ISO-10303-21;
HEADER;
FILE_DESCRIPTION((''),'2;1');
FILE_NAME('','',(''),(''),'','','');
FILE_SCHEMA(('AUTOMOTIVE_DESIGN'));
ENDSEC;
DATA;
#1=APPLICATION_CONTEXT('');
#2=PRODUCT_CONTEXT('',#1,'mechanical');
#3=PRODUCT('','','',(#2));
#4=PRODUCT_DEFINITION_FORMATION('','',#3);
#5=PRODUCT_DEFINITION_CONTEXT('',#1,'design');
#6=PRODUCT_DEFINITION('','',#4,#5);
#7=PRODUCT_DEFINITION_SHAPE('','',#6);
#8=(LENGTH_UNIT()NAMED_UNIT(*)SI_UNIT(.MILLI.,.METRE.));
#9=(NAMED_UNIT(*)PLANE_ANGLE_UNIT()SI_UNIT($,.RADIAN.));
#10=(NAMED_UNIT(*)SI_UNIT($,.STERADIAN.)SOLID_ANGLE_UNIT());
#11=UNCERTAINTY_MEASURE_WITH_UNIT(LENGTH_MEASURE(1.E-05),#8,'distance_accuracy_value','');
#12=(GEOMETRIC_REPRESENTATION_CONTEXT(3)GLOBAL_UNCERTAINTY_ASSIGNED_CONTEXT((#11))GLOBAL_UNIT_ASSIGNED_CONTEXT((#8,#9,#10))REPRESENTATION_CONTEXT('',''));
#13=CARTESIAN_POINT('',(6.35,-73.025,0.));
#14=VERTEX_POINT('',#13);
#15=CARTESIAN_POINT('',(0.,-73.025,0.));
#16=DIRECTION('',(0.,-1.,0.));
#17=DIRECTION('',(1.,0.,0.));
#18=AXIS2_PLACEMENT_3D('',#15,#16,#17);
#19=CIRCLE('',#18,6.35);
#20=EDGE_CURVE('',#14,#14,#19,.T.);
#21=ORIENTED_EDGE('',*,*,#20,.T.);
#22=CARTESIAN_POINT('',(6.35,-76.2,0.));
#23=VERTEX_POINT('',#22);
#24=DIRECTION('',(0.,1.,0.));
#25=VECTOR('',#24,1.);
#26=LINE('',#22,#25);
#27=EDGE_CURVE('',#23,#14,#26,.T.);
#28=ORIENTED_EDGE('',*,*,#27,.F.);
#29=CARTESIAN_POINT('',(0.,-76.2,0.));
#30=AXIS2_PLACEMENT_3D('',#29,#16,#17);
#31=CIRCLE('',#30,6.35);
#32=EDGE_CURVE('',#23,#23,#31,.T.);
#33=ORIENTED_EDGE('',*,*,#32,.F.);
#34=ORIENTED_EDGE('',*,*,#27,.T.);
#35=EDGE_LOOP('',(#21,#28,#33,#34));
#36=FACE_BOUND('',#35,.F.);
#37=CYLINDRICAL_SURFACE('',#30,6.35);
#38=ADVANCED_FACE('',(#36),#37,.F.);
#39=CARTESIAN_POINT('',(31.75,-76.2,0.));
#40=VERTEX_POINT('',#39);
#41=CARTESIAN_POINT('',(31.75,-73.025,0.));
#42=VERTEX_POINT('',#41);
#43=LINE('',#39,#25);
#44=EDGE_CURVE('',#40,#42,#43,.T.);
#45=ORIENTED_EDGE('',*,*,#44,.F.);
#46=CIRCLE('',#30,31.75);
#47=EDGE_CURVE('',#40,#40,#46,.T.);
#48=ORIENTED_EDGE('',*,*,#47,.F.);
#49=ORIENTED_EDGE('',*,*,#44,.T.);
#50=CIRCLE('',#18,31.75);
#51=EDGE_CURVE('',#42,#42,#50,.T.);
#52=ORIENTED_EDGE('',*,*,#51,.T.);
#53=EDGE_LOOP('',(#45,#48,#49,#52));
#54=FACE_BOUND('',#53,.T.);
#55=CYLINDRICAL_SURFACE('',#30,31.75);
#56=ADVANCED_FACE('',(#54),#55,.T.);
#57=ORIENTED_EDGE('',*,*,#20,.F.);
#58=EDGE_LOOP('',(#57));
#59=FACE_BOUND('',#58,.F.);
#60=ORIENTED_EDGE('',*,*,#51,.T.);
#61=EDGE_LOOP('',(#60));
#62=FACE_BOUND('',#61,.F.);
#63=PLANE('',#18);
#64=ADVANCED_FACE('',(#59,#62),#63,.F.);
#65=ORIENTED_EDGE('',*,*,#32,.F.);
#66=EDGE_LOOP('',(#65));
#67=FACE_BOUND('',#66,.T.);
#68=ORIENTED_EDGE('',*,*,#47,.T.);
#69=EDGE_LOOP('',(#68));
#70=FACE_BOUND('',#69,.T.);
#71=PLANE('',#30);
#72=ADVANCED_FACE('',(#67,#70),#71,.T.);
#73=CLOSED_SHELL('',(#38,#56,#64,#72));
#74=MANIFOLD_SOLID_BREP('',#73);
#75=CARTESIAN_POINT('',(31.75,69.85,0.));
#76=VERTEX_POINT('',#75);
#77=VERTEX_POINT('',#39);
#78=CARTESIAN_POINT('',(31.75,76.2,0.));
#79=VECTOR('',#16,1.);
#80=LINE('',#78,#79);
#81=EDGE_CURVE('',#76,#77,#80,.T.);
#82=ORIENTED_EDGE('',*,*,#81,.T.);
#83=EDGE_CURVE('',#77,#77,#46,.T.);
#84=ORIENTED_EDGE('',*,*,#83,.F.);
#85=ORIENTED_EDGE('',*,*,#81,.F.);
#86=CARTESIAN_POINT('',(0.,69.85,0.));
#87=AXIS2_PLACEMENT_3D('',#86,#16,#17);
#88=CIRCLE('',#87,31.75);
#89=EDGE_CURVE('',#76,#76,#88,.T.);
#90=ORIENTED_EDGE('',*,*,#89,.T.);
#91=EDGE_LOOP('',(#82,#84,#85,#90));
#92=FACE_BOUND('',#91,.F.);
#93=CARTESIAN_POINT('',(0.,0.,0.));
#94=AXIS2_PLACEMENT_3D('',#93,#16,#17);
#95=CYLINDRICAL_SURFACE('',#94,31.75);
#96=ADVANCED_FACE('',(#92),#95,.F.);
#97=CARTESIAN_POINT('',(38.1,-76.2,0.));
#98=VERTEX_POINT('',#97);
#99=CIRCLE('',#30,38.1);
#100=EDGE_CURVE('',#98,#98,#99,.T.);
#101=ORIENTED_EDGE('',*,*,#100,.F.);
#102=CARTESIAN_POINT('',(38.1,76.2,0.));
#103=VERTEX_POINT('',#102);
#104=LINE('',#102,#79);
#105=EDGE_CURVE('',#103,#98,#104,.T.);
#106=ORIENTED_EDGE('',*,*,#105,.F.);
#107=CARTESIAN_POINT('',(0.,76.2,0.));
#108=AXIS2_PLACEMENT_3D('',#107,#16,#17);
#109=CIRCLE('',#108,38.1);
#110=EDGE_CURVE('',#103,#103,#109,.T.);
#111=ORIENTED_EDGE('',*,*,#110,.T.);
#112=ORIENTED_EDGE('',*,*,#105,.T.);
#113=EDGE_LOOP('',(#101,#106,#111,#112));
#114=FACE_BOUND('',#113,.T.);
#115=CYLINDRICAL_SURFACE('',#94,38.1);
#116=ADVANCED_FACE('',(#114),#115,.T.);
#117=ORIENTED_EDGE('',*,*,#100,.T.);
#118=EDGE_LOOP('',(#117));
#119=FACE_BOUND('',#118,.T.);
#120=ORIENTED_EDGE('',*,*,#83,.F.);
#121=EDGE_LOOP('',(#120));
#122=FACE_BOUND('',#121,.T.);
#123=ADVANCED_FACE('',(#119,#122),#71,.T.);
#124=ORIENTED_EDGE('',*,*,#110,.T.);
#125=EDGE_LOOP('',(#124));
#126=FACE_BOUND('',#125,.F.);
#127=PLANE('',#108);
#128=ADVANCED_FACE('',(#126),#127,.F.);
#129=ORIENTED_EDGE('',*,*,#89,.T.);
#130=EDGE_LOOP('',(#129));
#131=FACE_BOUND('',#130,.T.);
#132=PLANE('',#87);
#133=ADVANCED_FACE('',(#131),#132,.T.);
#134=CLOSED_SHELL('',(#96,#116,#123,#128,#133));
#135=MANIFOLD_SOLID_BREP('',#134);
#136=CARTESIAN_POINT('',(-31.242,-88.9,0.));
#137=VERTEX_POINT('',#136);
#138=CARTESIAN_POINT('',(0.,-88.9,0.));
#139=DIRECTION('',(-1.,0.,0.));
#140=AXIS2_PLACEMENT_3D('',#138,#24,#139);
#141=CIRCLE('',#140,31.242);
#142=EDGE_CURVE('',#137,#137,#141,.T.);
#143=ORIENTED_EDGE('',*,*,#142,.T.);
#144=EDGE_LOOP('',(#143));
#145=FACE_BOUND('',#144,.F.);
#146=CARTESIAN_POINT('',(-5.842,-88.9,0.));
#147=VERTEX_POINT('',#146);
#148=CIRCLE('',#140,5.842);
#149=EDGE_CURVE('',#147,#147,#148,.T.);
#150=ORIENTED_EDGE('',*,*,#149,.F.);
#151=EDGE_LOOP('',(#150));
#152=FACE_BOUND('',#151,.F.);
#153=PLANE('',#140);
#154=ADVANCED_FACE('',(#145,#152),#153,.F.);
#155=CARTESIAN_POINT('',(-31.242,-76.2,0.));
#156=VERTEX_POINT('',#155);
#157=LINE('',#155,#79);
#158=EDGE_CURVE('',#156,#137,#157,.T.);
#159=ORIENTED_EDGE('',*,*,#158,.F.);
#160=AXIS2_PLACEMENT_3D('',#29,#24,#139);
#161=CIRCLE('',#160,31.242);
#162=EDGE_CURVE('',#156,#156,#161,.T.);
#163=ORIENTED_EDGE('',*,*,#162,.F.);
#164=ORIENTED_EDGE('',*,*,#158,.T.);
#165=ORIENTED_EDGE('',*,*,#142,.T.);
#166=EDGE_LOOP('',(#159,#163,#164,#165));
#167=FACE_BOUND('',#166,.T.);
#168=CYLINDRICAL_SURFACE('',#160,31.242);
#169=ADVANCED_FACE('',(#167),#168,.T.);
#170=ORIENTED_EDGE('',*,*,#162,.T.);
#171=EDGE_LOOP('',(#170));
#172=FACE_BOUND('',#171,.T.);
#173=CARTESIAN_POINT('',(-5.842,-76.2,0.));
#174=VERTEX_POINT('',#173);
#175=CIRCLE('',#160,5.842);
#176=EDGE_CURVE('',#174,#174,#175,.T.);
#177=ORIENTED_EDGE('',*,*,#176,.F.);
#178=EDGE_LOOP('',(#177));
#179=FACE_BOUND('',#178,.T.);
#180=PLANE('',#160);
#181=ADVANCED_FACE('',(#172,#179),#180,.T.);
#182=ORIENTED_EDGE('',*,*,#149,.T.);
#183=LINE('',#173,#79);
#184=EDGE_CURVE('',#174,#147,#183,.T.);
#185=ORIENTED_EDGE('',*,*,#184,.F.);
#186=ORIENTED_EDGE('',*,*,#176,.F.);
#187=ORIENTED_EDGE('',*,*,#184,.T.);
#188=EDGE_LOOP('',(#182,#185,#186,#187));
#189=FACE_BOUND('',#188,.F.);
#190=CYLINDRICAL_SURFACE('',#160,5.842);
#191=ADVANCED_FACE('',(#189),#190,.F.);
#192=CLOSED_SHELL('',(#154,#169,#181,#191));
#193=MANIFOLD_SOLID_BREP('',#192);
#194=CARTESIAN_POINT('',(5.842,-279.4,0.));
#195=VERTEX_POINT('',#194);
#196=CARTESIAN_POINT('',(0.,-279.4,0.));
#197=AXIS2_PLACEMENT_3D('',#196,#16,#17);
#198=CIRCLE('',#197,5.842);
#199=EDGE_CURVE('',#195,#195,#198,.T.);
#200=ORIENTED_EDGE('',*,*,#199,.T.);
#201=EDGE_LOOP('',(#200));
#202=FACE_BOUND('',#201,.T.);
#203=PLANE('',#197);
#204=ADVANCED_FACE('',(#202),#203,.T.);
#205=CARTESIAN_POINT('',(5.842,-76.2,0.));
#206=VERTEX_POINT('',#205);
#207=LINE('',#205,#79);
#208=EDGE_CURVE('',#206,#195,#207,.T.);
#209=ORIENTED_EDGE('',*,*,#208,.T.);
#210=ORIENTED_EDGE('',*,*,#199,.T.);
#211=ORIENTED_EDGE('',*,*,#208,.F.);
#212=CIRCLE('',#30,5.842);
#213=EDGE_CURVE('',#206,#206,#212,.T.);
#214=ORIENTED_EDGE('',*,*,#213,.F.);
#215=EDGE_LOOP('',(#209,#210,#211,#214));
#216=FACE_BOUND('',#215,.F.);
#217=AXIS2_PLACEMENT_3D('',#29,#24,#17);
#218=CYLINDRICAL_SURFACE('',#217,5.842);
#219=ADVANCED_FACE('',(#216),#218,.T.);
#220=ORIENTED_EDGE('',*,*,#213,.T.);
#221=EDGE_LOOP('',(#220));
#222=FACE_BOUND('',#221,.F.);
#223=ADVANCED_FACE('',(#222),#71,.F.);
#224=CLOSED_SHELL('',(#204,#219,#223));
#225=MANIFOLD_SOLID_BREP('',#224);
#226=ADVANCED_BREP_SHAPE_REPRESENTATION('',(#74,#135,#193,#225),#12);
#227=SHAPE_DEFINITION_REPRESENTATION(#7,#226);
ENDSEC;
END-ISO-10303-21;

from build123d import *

# Parameters (mm, degrees)
F0_R      = 38.1
F1_DEPTH  = 76.2
F2_T      = -6.35
F3_R      = 31.75
F4_DEPTH  = 3.175
F5_R      = 6.35
F6_DEPTH  = 152.401
F7_R      = 5.842
F8_DEPTH  = 203.2
F9_R      = 31.242
F9_R_2    = 5.842
F10_DEPTH = 12.7


with BuildPart() as f1:
    # F0 (on Front) → F1 (new body, symmetric)
    with BuildSketch(Plane.XZ):
        Circle(F0_R)
    extrude(amount=F1_DEPTH, both=True)

    # F2
    f2_openings = [f1.faces().sort_by_distance(p)[0] for p in [
        (0, -76.2, 0),
    ]]
    offset(amount=F2_T, openings=f2_openings)


with BuildPart() as f4:
    # F3 (on face) → F4 (new body)
    with BuildSketch(Plane.XZ.offset(76.2)):
        Circle(F3_R)
    extrude(amount=-F4_DEPTH)

    # F5 (on face) → F6 (cut, through all)
    with BuildSketch(Plane.XZ.offset(76.2)):
        Circle(F5_R)
    extrude(amount=-F6_DEPTH, mode=Mode.SUBTRACT)


with BuildPart() as f8:
    # F7 (on face) → F8 (new body)
    with BuildSketch(Plane.XZ.offset(76.2)):
        Circle(F7_R)
    extrude(amount=F8_DEPTH)


with BuildPart() as f10:
    # F9 (on face) → F10 (new body)
    with BuildSketch(Plane(origin=(0, -76.2, 0), x_dir=(-1, 0, 0), z_dir=(0, 1, 0))):
        Circle(F9_R)
        Circle(F9_R_2, mode=Mode.SUBTRACT)
    extrude(amount=-F10_DEPTH)


solid = Compound([f1.part, f4.part, f8.part, f10.part])
